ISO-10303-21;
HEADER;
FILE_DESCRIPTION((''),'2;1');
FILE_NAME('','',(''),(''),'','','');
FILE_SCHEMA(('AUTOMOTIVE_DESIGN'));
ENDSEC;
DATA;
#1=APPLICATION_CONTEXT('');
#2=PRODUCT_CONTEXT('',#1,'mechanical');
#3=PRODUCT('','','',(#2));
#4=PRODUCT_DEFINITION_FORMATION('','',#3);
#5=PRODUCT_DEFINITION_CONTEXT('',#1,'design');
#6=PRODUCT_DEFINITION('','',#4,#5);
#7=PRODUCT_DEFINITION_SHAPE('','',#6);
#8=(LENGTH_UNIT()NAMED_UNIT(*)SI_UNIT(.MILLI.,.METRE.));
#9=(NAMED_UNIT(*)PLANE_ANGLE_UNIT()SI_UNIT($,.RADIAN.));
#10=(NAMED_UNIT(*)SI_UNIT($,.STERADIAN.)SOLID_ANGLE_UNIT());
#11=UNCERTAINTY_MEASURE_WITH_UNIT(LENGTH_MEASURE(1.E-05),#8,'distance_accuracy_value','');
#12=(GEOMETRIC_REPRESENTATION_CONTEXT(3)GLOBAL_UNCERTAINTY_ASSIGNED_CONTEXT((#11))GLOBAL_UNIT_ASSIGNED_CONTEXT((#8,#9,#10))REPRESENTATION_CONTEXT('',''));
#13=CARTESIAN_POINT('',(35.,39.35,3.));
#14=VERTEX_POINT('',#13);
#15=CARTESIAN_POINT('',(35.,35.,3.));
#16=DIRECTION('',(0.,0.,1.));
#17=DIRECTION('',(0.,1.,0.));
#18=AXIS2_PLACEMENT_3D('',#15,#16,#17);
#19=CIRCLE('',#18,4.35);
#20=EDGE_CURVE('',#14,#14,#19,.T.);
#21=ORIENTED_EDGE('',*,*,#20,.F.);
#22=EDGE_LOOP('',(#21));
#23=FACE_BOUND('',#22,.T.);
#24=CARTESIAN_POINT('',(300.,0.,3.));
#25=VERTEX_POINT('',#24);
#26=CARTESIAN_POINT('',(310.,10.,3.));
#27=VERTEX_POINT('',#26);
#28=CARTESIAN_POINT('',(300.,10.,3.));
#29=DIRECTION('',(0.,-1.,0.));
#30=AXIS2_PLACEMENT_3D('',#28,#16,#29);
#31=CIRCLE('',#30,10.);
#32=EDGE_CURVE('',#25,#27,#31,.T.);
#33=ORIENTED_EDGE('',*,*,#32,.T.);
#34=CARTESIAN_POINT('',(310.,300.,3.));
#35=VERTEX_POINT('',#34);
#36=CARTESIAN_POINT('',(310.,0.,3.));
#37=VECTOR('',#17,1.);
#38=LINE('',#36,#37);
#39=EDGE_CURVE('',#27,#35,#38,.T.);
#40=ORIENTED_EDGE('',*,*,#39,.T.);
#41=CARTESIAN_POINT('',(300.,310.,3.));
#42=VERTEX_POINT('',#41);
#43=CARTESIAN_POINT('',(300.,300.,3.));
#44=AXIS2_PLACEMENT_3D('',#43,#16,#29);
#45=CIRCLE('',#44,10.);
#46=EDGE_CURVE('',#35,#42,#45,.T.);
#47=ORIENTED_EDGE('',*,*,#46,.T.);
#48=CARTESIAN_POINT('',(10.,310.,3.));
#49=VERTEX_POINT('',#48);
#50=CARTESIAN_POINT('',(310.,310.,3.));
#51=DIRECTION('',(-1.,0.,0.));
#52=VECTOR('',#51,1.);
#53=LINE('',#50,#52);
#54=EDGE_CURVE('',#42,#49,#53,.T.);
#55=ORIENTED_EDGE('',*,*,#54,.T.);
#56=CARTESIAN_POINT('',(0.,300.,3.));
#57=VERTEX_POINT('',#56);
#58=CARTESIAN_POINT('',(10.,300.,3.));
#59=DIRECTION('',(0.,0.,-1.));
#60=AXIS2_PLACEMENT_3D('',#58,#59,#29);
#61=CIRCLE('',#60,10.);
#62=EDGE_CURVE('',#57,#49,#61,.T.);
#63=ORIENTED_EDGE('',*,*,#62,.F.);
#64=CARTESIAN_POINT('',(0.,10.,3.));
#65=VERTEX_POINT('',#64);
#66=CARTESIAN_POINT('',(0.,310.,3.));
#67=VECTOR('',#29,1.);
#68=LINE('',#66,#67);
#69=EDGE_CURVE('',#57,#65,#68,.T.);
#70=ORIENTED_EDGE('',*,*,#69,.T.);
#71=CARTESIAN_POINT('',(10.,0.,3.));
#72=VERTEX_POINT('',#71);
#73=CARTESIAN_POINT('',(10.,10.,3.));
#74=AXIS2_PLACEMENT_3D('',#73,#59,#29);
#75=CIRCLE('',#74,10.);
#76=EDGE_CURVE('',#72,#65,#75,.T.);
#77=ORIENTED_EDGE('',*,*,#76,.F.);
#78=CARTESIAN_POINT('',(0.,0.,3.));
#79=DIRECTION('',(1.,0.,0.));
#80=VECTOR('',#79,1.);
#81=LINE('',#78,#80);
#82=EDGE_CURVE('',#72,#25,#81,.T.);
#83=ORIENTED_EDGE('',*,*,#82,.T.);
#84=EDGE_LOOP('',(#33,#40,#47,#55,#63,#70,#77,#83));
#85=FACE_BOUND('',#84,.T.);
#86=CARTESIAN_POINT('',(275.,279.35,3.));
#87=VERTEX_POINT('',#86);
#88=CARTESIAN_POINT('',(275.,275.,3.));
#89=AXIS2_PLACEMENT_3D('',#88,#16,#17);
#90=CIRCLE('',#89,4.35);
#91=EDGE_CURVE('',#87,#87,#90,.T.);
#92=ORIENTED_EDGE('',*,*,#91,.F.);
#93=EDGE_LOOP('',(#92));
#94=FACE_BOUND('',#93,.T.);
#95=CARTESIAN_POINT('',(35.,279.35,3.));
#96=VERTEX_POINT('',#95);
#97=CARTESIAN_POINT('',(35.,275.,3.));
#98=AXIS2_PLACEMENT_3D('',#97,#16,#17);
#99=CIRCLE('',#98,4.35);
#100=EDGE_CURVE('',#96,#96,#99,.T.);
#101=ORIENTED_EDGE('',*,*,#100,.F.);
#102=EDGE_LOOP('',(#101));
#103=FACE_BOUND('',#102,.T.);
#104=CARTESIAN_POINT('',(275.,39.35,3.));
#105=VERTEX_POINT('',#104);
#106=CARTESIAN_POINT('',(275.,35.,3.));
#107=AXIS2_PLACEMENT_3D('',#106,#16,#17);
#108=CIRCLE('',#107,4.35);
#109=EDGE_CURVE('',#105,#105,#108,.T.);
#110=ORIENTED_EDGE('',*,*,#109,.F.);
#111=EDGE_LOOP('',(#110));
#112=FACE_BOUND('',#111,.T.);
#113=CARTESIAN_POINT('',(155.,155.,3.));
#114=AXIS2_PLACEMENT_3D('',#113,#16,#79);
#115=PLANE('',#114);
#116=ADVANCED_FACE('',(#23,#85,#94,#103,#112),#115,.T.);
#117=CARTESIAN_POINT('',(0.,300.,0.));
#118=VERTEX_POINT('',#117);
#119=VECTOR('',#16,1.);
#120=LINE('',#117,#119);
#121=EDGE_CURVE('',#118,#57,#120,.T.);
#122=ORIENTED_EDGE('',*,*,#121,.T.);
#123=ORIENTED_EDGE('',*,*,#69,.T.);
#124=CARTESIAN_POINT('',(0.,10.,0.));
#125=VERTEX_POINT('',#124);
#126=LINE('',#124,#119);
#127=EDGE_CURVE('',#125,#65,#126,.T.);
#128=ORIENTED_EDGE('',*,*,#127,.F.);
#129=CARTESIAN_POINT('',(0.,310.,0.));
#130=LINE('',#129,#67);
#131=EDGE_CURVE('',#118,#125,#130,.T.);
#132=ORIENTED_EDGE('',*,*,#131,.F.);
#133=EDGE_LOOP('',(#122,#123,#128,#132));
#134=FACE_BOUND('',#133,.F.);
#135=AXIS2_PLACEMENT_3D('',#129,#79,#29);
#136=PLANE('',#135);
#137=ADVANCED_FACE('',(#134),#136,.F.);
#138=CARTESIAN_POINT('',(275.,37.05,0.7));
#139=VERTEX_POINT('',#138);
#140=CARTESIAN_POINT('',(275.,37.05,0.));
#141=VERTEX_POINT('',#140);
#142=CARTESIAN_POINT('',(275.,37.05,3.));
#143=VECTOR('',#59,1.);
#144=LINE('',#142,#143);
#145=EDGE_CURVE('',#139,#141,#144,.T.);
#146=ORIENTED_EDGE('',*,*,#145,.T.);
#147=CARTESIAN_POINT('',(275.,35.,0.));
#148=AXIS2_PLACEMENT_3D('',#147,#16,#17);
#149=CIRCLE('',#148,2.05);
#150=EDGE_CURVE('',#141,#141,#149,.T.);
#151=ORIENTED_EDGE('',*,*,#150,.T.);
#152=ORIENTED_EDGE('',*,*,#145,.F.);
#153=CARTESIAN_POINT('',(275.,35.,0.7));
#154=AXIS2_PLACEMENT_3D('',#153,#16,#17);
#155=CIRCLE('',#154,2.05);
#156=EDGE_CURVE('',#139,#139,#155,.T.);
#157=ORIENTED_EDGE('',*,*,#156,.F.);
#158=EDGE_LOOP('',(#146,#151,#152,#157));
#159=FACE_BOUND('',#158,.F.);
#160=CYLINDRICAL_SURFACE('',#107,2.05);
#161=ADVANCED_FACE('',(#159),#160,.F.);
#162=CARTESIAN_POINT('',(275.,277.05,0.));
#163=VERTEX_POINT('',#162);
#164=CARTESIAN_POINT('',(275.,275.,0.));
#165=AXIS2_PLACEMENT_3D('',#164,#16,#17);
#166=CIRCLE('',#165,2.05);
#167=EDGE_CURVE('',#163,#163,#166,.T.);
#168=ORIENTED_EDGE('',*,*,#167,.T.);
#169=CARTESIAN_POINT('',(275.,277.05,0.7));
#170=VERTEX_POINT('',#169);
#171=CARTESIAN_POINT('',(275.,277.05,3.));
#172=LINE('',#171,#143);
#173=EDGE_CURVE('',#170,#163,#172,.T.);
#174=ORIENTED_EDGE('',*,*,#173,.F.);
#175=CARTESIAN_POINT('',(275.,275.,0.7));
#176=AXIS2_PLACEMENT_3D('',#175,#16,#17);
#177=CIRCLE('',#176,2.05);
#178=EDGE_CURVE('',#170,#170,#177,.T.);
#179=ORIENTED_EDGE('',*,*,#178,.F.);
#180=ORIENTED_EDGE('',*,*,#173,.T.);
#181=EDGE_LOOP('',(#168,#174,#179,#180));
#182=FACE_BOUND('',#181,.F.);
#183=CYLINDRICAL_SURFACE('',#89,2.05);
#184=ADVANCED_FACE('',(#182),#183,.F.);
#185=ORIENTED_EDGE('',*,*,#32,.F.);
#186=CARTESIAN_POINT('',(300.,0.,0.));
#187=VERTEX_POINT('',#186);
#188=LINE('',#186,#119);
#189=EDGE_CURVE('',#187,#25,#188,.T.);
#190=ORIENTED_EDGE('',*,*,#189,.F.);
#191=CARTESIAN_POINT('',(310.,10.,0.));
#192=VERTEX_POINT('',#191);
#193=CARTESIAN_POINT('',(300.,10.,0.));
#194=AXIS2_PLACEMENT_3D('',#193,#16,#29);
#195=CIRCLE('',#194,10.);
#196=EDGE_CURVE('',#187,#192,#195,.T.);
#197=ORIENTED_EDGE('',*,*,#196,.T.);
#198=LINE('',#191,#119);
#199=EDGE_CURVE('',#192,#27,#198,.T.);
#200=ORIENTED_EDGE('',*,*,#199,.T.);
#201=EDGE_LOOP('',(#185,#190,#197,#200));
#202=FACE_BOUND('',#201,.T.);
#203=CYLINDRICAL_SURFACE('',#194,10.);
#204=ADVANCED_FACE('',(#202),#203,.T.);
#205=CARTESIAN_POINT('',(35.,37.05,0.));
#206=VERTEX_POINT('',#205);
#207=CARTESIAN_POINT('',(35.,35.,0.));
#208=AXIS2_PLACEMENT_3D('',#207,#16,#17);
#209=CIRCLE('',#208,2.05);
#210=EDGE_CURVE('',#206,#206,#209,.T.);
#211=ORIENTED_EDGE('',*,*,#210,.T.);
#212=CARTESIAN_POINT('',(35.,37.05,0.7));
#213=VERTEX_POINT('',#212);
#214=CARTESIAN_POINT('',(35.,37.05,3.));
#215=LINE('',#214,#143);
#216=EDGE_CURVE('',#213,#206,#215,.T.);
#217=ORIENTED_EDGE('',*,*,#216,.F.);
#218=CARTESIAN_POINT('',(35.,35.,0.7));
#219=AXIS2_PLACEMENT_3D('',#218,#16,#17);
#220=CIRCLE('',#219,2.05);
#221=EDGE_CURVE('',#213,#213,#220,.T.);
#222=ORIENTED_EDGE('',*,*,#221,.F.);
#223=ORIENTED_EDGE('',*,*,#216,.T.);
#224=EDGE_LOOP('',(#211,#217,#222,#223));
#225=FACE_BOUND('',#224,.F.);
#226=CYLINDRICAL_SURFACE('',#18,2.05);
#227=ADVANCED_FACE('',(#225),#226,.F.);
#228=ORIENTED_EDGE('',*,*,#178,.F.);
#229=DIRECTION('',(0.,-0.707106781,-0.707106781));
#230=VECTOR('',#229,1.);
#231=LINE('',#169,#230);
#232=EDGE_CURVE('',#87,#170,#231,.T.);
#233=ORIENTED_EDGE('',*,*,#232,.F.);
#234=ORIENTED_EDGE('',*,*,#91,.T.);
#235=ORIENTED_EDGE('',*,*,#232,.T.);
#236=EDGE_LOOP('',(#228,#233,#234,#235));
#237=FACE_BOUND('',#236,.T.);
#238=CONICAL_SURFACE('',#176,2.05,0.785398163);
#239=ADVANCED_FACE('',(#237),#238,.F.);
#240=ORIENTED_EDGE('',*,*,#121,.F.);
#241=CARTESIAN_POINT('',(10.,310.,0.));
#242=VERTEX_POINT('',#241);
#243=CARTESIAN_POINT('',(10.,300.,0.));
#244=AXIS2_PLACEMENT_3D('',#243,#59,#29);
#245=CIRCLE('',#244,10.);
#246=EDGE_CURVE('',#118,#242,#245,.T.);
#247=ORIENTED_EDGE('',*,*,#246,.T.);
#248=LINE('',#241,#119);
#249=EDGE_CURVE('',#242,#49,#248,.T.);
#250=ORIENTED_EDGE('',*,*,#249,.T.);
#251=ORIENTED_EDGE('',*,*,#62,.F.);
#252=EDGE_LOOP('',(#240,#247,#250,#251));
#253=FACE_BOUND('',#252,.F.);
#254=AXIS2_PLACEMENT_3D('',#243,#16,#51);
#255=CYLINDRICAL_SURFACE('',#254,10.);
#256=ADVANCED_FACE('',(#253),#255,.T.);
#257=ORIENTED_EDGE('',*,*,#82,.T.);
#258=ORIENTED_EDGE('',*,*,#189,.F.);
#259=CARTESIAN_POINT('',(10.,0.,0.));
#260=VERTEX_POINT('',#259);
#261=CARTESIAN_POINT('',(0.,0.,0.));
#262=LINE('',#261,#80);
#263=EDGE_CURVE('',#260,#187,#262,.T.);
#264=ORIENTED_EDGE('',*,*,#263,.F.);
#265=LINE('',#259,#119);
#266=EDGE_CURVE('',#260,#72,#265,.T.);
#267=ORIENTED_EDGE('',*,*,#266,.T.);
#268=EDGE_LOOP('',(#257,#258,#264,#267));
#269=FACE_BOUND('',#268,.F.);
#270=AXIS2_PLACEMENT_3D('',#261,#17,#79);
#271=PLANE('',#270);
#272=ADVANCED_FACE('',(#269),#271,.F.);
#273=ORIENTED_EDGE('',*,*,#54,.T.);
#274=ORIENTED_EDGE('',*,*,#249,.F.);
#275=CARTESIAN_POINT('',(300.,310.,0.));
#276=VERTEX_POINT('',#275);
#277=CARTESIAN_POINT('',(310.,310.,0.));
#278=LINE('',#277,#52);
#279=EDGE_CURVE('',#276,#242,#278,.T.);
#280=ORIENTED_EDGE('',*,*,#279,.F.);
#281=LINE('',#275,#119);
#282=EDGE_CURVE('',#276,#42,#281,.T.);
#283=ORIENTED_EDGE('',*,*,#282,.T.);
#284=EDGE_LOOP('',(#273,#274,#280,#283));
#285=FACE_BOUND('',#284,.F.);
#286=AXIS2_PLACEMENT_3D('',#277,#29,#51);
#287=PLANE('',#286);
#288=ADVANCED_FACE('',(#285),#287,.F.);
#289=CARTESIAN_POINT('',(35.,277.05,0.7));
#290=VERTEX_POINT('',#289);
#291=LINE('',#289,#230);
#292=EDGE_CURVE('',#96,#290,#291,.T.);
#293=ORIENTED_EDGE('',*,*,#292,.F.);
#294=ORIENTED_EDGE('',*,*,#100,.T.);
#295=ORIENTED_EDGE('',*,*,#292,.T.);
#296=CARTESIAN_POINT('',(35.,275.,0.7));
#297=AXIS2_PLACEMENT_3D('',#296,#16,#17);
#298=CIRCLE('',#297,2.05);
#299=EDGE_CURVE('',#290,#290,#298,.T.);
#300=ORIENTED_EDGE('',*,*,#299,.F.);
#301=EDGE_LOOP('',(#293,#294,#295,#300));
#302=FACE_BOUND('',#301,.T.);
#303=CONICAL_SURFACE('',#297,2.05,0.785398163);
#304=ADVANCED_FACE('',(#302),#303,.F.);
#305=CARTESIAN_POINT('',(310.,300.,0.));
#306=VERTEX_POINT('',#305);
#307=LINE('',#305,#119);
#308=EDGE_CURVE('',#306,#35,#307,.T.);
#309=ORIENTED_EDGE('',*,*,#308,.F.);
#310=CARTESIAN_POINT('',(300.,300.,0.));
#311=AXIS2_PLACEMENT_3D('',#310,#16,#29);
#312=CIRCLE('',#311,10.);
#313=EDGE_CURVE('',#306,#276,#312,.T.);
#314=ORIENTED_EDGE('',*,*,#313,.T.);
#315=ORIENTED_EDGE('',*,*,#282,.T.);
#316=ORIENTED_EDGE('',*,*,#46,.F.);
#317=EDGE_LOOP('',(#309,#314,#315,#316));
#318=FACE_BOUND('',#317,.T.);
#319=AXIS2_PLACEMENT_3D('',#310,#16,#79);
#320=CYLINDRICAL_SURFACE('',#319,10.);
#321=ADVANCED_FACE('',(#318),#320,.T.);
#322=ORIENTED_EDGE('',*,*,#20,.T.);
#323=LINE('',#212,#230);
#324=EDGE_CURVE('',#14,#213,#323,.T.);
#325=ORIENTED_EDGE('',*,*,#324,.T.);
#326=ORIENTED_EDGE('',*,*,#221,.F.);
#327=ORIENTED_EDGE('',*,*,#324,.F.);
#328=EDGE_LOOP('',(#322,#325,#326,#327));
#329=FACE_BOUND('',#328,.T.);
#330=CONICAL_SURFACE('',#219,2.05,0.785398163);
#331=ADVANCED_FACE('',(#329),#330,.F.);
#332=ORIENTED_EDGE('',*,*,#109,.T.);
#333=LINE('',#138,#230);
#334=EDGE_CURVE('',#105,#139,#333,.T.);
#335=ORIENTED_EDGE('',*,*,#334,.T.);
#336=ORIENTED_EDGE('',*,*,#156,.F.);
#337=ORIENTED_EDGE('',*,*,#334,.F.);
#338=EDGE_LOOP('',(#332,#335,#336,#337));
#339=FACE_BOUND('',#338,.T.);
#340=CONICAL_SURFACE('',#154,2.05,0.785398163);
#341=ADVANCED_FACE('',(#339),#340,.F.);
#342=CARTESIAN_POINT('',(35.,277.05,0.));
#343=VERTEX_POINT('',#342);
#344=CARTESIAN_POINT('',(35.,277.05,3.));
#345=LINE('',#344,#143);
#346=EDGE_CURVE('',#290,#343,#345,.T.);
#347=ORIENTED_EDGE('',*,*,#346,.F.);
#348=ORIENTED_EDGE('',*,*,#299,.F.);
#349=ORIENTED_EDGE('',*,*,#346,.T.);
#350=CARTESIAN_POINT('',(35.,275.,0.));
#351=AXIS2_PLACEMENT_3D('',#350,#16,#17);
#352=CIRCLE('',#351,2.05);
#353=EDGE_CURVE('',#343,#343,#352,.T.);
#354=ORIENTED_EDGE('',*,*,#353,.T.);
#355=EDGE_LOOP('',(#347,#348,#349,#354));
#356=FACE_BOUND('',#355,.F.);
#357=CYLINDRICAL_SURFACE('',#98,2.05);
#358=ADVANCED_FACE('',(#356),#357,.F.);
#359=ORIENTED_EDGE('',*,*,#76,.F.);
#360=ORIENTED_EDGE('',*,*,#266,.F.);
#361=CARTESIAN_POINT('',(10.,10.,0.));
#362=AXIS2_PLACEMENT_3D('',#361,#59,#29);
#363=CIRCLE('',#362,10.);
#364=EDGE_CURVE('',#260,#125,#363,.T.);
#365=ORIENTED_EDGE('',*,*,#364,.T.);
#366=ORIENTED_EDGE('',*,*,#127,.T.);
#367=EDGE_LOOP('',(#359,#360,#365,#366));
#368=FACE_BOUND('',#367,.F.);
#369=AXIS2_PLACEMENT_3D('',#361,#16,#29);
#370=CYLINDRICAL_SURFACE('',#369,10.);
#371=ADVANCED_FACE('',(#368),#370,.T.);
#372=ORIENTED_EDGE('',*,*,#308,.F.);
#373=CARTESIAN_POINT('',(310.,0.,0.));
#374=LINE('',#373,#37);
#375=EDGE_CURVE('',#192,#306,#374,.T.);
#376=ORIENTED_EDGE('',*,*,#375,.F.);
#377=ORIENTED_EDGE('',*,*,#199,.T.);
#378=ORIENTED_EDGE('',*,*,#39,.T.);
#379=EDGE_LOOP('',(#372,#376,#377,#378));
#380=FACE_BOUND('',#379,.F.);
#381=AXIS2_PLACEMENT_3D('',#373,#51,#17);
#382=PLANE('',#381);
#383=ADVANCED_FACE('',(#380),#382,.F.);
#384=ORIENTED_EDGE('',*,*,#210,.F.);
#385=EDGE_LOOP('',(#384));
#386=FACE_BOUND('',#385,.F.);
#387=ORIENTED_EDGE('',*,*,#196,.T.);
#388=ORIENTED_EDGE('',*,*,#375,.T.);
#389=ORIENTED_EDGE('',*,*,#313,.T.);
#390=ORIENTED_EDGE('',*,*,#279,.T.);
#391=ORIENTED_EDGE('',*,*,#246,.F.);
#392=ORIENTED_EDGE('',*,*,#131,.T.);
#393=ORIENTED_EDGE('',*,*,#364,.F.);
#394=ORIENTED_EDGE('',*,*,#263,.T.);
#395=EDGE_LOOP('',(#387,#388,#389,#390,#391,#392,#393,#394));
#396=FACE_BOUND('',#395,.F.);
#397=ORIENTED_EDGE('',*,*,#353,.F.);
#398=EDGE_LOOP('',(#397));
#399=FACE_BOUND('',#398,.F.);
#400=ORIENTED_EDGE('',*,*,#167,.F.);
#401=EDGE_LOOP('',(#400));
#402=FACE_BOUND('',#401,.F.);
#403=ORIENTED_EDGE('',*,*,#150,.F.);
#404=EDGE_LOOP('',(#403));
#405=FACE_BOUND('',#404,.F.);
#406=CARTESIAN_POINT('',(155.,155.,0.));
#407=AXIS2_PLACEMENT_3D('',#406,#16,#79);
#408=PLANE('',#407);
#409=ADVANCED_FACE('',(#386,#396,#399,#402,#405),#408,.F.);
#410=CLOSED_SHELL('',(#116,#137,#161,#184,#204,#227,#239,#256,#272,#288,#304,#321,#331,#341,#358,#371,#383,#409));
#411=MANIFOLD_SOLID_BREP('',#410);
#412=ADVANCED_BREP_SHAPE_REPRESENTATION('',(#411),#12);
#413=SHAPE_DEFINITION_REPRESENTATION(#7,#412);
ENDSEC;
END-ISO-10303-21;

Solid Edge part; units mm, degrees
sketch "Sketch1" plane through (0, 0, 0) normal (0, 0, 1) x (1, 0, 0)
  line L0 (0, 0) -> (310, 0)
  line L1 (310, 0) -> (310, 310)
  line L2 (310, 310) -> (0, 310)
  line L3 (0, 310) -> (0, 0)
  dimension "D1" = 310
extrude "Protrusion1" add sketch "Sketch1" along normal blind 3
sketch "Sketch2" plane through (155, 155, 3) normal (0, 0, 1) x (0, 1, 0)
  circle A0 centre (-120, 120) radius 2.05
  dimension "D1" = 4.1
  dimension "D2" = 35
  dimension "D3" = 35
extrude "Cutout1" cut sketch "Sketch2" against normal up to next
pattern_linear "Pattern1" count 2 spacing 240 along (0, 1, 0) count 2 spacing 240 along (1, 0, 0) of "Cutout1"
chamfer "Chamfer_1" distance 2.3 angle 45 4 edges at (35, 272.95, 3) (35, 32.95, 3) (275, 32.95, 3) (275, 272.95, 3)
fillet "Round_1" radius 10 4 edges at (310, 0, 1.5) (310, 310, 1.5) (0, 0, 1.5) (0, 310, 1.5)
properties material "Aluminum, 1060"
